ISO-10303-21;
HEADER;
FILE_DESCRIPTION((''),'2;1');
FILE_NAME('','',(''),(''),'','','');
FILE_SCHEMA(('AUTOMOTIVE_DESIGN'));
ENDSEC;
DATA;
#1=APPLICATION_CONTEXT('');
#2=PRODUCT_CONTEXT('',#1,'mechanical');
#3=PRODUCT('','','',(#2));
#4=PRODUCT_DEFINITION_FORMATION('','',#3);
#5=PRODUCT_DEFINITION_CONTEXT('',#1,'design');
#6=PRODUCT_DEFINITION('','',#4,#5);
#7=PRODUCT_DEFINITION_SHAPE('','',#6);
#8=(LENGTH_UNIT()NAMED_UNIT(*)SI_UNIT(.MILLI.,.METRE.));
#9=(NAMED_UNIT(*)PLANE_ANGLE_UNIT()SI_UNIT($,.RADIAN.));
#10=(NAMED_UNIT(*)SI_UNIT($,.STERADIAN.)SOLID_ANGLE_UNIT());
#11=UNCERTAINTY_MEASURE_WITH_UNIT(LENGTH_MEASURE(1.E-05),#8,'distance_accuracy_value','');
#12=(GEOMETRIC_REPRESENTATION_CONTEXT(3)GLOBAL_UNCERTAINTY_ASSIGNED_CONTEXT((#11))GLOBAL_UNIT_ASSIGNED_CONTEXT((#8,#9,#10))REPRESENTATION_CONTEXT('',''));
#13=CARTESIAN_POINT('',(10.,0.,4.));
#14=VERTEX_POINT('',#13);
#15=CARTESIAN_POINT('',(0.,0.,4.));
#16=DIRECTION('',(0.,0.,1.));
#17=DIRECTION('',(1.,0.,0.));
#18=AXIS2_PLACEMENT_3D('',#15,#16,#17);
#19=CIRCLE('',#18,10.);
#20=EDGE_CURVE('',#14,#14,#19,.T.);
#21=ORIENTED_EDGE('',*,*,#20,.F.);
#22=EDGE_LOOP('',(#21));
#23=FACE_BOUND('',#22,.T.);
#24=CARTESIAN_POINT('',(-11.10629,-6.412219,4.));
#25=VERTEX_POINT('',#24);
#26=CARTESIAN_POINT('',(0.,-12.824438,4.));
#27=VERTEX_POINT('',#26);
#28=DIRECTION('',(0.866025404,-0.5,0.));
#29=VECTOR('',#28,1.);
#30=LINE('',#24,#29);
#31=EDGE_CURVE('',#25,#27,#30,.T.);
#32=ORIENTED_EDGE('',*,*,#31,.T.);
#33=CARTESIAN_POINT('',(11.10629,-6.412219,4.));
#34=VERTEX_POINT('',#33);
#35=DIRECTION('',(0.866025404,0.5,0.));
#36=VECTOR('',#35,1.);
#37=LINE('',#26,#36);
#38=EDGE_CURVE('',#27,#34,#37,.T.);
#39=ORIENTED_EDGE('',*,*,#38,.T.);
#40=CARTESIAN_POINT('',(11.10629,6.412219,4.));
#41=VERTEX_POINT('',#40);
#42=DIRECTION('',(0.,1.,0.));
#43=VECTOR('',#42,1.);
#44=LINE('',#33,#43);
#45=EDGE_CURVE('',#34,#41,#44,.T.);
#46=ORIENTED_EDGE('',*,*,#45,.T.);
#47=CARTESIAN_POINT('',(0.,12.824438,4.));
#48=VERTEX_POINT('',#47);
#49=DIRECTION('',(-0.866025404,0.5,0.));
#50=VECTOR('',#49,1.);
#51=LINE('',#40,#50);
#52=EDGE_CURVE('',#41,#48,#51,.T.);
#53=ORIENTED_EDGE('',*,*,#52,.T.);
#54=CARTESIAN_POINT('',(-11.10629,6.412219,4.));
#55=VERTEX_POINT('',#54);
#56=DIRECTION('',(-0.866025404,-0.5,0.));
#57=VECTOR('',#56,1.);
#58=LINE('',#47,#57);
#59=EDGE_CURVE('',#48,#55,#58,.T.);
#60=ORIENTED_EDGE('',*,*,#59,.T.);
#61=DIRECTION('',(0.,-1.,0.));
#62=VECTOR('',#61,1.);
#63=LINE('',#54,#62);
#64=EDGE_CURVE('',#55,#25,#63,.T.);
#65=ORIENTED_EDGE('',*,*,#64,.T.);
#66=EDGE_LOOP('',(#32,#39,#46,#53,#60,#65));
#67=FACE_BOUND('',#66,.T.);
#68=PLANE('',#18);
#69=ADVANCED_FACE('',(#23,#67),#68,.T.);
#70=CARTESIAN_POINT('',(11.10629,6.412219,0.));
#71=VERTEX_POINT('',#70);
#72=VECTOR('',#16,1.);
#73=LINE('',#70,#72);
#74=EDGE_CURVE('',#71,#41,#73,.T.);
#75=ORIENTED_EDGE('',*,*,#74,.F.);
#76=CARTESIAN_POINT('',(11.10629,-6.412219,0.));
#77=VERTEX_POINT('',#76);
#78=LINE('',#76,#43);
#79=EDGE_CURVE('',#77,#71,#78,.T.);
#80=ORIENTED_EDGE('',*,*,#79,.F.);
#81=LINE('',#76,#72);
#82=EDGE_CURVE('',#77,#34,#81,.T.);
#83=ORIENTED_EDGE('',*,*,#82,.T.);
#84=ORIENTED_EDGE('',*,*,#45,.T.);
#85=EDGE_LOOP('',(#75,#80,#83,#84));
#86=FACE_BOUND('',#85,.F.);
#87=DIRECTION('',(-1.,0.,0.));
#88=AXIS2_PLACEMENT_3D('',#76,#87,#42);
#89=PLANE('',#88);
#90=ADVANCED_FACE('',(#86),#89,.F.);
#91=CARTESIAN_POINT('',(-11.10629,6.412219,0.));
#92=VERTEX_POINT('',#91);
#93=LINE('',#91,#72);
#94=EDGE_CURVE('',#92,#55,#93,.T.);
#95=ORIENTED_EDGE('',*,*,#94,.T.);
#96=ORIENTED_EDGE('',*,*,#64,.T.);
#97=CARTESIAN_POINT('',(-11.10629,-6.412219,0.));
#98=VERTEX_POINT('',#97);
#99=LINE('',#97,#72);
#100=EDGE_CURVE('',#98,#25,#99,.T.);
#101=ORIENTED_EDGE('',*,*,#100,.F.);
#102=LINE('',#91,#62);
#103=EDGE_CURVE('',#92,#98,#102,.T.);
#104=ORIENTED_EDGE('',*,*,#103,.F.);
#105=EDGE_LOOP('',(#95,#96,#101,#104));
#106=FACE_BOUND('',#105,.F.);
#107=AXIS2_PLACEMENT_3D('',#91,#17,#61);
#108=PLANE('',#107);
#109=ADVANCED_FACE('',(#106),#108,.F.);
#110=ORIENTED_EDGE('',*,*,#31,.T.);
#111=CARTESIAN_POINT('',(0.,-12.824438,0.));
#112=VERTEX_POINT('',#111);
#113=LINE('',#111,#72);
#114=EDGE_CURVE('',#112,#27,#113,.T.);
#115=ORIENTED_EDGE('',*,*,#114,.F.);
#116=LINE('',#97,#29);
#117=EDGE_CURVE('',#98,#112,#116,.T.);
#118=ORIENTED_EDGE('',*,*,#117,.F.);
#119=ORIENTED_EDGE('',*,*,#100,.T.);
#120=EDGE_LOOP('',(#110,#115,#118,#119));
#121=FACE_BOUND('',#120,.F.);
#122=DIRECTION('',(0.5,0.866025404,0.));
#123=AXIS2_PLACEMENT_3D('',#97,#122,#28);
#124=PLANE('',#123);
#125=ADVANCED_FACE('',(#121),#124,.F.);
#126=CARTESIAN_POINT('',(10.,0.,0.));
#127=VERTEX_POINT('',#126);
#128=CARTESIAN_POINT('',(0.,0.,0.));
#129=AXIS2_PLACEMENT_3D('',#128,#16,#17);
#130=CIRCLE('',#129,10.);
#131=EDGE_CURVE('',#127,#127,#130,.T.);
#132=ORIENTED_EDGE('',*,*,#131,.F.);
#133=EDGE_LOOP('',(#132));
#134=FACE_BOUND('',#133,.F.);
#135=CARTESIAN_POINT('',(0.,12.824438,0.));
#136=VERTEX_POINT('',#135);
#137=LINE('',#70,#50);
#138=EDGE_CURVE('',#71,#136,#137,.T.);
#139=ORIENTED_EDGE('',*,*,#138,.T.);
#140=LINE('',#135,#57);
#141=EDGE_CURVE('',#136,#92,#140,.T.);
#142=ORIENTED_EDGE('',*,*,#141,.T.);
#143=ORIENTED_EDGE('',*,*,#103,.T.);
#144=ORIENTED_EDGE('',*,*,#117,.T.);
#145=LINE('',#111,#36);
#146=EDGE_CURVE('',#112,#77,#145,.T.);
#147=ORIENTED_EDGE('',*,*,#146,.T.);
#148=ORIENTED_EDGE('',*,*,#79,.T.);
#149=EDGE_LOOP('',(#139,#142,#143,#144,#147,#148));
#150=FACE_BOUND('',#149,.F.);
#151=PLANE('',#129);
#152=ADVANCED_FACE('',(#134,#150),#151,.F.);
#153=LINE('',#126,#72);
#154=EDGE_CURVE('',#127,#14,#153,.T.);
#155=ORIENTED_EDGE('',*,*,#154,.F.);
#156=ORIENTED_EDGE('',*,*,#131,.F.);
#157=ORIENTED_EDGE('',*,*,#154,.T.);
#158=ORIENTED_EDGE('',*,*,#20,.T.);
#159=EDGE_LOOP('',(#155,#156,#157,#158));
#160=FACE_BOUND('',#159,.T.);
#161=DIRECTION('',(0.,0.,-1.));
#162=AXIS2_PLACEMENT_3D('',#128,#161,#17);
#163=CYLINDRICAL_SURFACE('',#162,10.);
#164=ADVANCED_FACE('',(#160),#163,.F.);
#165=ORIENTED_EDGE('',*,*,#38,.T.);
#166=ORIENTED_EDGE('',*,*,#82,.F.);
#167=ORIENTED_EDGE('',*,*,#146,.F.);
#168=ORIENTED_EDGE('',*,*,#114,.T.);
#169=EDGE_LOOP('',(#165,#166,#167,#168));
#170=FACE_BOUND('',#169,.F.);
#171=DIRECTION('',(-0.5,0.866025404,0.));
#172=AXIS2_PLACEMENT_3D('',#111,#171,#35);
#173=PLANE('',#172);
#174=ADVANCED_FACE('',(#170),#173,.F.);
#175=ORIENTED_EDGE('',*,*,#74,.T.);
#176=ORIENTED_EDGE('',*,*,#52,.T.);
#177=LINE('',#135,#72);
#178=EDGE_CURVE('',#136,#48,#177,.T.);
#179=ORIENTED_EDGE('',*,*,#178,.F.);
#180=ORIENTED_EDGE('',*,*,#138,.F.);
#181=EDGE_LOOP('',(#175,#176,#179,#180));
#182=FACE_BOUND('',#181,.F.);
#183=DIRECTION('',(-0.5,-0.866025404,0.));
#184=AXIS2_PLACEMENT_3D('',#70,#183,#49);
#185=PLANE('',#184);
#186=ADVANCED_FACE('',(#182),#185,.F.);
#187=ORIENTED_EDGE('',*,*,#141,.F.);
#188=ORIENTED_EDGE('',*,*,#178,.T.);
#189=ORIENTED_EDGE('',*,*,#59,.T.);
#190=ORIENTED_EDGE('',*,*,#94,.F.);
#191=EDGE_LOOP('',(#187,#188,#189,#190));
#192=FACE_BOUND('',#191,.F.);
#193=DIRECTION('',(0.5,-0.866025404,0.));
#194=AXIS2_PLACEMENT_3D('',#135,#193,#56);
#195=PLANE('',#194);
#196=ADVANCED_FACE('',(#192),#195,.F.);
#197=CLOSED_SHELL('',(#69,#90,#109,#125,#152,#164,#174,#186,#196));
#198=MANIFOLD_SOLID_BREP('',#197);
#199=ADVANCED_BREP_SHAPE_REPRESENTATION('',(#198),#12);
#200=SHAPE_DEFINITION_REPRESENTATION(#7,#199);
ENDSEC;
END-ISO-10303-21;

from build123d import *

# Parameters (mm, degrees)
SKETCH1_R           = 10
BOSS_EXTRUDE1_DEPTH = 4


with BuildPart() as part:
    # Sketch1 → Boss-Extrude1 (new body)
    with BuildSketch(Plane.XY):
        Polygon((0, 12.824438475), (-11.106289509, 6.412219238), (-11.106289509, -6.412219238), (0, -12.824438475), (11.106289509, -6.412219238), (11.106289509, 6.412219238), align=None)
        Circle(SKETCH1_R, mode=Mode.SUBTRACT)
    extrude(amount=BOSS_EXTRUDE1_DEPTH)


solid = part.part
